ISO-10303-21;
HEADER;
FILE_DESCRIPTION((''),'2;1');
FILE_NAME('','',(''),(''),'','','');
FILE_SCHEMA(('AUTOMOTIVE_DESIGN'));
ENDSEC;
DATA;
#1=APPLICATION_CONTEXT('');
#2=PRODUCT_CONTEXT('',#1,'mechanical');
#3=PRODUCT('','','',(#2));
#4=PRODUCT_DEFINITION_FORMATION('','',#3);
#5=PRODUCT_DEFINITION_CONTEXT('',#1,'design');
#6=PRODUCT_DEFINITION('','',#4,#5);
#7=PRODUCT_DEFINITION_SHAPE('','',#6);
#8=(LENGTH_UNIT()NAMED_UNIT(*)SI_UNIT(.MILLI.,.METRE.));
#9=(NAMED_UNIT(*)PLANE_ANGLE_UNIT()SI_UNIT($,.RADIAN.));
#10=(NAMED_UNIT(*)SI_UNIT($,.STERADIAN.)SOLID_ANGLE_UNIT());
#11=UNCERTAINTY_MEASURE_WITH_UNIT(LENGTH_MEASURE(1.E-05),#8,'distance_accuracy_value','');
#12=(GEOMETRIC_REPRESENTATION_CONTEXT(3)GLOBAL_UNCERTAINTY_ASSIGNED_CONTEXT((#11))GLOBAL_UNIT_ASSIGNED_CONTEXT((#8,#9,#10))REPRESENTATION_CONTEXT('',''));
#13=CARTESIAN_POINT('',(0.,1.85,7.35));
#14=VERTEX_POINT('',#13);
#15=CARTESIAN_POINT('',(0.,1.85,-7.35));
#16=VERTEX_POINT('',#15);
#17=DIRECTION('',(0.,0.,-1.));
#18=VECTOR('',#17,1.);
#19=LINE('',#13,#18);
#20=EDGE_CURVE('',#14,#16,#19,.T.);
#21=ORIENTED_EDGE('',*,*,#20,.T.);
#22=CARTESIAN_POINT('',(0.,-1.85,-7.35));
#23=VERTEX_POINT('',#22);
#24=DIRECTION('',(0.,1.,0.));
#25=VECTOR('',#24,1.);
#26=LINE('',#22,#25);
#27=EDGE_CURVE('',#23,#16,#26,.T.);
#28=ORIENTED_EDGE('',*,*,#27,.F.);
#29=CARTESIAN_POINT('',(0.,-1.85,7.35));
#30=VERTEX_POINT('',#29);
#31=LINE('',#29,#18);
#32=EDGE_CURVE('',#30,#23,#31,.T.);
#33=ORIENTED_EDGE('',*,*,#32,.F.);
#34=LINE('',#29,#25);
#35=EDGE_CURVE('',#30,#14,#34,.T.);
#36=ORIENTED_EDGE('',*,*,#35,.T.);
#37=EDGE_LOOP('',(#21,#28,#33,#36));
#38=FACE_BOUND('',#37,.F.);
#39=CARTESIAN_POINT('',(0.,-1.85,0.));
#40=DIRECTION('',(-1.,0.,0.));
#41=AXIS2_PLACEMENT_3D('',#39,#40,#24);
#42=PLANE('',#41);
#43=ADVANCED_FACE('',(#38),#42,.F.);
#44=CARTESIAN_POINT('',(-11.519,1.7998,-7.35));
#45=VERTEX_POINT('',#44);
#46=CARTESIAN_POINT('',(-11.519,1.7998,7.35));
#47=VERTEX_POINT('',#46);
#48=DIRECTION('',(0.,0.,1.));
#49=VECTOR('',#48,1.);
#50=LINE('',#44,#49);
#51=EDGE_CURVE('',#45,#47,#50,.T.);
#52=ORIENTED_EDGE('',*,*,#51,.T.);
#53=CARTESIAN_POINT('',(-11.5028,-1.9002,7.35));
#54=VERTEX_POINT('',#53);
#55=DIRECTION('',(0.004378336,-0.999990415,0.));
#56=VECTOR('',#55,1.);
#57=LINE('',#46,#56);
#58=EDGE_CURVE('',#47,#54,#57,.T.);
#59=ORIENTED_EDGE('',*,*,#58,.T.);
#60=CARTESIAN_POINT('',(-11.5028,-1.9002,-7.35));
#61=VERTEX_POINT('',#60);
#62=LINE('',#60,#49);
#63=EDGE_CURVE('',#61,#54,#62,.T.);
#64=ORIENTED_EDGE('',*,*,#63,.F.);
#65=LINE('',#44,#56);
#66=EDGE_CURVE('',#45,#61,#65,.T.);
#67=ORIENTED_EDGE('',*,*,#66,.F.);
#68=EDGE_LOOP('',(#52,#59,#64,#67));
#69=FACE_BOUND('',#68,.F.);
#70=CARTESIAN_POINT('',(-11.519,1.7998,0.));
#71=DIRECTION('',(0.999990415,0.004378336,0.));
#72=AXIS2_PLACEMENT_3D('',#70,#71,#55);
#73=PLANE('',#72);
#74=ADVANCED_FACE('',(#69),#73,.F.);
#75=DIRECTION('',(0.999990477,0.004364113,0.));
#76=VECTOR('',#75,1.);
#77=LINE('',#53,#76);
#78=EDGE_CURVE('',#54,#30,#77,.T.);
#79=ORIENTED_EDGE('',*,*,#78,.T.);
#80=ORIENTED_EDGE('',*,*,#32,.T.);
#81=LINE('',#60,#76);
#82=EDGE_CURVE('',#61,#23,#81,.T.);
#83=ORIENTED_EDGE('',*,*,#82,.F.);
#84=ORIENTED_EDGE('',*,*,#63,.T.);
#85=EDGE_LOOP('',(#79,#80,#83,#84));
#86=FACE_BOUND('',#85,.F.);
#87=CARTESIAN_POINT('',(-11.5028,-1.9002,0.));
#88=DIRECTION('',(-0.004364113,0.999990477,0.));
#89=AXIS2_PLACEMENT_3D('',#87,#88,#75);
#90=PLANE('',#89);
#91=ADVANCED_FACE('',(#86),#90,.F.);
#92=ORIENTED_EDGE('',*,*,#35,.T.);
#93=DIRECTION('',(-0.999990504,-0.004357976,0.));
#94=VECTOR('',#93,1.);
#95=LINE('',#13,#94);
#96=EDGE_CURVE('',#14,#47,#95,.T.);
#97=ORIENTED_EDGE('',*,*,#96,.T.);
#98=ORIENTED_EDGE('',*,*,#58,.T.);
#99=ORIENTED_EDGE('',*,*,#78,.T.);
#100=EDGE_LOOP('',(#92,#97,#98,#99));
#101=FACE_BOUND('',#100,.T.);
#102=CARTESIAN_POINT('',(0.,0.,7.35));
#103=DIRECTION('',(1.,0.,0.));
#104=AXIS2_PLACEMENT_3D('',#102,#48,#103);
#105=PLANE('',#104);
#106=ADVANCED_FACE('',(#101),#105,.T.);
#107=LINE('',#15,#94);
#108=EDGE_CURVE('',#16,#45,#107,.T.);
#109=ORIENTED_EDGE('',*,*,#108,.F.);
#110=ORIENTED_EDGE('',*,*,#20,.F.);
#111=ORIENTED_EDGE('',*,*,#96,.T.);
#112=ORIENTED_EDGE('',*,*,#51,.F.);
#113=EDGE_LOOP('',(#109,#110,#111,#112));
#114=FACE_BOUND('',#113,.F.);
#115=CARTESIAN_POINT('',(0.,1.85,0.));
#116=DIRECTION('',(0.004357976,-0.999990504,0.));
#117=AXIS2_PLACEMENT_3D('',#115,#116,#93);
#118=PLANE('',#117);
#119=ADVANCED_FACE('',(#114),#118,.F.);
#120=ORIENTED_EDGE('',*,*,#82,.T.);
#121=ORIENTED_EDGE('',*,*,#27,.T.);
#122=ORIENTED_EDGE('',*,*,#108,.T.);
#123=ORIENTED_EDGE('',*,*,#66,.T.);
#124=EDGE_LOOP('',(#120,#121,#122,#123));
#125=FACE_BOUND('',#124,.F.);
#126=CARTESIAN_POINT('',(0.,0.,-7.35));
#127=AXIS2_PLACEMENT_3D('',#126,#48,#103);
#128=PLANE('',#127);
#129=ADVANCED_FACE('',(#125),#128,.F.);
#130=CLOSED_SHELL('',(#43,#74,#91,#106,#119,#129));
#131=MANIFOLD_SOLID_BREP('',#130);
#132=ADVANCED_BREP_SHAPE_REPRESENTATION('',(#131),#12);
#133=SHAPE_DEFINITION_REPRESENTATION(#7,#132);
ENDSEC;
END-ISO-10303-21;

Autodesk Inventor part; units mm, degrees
sketch "Sketch_1" plane through (0, 0, 0) normal (0, 0, 1) x (1, 0, 0)
  line L0 (-11.519, 1.7998) -> (-11.5028, -1.9002)
  line L1 (-11.5028, -1.9002) -> (0, -1.85)
  line L2 (0, -1.85) -> (0, 1.85)
  line L3 (0, 1.85) -> (-11.519, 1.7998)
extrude "Extrusion1" add sketch "Sketch_1" along normal mid plane 14.7
ref_plane "P3_XY" through (0, 0, 0) normal (1, 0, 0) x (0, 0, -1)
ref_plane "P3_YZ" through (0, 0, 0) normal (0, 0, -1) x (0, 1, 0)
ref_plane "P3_ZX" through (0, 0, 0) normal (0, 1, 0) x (1, 0, 0)
properties part number "nzm1_3p_p3"
